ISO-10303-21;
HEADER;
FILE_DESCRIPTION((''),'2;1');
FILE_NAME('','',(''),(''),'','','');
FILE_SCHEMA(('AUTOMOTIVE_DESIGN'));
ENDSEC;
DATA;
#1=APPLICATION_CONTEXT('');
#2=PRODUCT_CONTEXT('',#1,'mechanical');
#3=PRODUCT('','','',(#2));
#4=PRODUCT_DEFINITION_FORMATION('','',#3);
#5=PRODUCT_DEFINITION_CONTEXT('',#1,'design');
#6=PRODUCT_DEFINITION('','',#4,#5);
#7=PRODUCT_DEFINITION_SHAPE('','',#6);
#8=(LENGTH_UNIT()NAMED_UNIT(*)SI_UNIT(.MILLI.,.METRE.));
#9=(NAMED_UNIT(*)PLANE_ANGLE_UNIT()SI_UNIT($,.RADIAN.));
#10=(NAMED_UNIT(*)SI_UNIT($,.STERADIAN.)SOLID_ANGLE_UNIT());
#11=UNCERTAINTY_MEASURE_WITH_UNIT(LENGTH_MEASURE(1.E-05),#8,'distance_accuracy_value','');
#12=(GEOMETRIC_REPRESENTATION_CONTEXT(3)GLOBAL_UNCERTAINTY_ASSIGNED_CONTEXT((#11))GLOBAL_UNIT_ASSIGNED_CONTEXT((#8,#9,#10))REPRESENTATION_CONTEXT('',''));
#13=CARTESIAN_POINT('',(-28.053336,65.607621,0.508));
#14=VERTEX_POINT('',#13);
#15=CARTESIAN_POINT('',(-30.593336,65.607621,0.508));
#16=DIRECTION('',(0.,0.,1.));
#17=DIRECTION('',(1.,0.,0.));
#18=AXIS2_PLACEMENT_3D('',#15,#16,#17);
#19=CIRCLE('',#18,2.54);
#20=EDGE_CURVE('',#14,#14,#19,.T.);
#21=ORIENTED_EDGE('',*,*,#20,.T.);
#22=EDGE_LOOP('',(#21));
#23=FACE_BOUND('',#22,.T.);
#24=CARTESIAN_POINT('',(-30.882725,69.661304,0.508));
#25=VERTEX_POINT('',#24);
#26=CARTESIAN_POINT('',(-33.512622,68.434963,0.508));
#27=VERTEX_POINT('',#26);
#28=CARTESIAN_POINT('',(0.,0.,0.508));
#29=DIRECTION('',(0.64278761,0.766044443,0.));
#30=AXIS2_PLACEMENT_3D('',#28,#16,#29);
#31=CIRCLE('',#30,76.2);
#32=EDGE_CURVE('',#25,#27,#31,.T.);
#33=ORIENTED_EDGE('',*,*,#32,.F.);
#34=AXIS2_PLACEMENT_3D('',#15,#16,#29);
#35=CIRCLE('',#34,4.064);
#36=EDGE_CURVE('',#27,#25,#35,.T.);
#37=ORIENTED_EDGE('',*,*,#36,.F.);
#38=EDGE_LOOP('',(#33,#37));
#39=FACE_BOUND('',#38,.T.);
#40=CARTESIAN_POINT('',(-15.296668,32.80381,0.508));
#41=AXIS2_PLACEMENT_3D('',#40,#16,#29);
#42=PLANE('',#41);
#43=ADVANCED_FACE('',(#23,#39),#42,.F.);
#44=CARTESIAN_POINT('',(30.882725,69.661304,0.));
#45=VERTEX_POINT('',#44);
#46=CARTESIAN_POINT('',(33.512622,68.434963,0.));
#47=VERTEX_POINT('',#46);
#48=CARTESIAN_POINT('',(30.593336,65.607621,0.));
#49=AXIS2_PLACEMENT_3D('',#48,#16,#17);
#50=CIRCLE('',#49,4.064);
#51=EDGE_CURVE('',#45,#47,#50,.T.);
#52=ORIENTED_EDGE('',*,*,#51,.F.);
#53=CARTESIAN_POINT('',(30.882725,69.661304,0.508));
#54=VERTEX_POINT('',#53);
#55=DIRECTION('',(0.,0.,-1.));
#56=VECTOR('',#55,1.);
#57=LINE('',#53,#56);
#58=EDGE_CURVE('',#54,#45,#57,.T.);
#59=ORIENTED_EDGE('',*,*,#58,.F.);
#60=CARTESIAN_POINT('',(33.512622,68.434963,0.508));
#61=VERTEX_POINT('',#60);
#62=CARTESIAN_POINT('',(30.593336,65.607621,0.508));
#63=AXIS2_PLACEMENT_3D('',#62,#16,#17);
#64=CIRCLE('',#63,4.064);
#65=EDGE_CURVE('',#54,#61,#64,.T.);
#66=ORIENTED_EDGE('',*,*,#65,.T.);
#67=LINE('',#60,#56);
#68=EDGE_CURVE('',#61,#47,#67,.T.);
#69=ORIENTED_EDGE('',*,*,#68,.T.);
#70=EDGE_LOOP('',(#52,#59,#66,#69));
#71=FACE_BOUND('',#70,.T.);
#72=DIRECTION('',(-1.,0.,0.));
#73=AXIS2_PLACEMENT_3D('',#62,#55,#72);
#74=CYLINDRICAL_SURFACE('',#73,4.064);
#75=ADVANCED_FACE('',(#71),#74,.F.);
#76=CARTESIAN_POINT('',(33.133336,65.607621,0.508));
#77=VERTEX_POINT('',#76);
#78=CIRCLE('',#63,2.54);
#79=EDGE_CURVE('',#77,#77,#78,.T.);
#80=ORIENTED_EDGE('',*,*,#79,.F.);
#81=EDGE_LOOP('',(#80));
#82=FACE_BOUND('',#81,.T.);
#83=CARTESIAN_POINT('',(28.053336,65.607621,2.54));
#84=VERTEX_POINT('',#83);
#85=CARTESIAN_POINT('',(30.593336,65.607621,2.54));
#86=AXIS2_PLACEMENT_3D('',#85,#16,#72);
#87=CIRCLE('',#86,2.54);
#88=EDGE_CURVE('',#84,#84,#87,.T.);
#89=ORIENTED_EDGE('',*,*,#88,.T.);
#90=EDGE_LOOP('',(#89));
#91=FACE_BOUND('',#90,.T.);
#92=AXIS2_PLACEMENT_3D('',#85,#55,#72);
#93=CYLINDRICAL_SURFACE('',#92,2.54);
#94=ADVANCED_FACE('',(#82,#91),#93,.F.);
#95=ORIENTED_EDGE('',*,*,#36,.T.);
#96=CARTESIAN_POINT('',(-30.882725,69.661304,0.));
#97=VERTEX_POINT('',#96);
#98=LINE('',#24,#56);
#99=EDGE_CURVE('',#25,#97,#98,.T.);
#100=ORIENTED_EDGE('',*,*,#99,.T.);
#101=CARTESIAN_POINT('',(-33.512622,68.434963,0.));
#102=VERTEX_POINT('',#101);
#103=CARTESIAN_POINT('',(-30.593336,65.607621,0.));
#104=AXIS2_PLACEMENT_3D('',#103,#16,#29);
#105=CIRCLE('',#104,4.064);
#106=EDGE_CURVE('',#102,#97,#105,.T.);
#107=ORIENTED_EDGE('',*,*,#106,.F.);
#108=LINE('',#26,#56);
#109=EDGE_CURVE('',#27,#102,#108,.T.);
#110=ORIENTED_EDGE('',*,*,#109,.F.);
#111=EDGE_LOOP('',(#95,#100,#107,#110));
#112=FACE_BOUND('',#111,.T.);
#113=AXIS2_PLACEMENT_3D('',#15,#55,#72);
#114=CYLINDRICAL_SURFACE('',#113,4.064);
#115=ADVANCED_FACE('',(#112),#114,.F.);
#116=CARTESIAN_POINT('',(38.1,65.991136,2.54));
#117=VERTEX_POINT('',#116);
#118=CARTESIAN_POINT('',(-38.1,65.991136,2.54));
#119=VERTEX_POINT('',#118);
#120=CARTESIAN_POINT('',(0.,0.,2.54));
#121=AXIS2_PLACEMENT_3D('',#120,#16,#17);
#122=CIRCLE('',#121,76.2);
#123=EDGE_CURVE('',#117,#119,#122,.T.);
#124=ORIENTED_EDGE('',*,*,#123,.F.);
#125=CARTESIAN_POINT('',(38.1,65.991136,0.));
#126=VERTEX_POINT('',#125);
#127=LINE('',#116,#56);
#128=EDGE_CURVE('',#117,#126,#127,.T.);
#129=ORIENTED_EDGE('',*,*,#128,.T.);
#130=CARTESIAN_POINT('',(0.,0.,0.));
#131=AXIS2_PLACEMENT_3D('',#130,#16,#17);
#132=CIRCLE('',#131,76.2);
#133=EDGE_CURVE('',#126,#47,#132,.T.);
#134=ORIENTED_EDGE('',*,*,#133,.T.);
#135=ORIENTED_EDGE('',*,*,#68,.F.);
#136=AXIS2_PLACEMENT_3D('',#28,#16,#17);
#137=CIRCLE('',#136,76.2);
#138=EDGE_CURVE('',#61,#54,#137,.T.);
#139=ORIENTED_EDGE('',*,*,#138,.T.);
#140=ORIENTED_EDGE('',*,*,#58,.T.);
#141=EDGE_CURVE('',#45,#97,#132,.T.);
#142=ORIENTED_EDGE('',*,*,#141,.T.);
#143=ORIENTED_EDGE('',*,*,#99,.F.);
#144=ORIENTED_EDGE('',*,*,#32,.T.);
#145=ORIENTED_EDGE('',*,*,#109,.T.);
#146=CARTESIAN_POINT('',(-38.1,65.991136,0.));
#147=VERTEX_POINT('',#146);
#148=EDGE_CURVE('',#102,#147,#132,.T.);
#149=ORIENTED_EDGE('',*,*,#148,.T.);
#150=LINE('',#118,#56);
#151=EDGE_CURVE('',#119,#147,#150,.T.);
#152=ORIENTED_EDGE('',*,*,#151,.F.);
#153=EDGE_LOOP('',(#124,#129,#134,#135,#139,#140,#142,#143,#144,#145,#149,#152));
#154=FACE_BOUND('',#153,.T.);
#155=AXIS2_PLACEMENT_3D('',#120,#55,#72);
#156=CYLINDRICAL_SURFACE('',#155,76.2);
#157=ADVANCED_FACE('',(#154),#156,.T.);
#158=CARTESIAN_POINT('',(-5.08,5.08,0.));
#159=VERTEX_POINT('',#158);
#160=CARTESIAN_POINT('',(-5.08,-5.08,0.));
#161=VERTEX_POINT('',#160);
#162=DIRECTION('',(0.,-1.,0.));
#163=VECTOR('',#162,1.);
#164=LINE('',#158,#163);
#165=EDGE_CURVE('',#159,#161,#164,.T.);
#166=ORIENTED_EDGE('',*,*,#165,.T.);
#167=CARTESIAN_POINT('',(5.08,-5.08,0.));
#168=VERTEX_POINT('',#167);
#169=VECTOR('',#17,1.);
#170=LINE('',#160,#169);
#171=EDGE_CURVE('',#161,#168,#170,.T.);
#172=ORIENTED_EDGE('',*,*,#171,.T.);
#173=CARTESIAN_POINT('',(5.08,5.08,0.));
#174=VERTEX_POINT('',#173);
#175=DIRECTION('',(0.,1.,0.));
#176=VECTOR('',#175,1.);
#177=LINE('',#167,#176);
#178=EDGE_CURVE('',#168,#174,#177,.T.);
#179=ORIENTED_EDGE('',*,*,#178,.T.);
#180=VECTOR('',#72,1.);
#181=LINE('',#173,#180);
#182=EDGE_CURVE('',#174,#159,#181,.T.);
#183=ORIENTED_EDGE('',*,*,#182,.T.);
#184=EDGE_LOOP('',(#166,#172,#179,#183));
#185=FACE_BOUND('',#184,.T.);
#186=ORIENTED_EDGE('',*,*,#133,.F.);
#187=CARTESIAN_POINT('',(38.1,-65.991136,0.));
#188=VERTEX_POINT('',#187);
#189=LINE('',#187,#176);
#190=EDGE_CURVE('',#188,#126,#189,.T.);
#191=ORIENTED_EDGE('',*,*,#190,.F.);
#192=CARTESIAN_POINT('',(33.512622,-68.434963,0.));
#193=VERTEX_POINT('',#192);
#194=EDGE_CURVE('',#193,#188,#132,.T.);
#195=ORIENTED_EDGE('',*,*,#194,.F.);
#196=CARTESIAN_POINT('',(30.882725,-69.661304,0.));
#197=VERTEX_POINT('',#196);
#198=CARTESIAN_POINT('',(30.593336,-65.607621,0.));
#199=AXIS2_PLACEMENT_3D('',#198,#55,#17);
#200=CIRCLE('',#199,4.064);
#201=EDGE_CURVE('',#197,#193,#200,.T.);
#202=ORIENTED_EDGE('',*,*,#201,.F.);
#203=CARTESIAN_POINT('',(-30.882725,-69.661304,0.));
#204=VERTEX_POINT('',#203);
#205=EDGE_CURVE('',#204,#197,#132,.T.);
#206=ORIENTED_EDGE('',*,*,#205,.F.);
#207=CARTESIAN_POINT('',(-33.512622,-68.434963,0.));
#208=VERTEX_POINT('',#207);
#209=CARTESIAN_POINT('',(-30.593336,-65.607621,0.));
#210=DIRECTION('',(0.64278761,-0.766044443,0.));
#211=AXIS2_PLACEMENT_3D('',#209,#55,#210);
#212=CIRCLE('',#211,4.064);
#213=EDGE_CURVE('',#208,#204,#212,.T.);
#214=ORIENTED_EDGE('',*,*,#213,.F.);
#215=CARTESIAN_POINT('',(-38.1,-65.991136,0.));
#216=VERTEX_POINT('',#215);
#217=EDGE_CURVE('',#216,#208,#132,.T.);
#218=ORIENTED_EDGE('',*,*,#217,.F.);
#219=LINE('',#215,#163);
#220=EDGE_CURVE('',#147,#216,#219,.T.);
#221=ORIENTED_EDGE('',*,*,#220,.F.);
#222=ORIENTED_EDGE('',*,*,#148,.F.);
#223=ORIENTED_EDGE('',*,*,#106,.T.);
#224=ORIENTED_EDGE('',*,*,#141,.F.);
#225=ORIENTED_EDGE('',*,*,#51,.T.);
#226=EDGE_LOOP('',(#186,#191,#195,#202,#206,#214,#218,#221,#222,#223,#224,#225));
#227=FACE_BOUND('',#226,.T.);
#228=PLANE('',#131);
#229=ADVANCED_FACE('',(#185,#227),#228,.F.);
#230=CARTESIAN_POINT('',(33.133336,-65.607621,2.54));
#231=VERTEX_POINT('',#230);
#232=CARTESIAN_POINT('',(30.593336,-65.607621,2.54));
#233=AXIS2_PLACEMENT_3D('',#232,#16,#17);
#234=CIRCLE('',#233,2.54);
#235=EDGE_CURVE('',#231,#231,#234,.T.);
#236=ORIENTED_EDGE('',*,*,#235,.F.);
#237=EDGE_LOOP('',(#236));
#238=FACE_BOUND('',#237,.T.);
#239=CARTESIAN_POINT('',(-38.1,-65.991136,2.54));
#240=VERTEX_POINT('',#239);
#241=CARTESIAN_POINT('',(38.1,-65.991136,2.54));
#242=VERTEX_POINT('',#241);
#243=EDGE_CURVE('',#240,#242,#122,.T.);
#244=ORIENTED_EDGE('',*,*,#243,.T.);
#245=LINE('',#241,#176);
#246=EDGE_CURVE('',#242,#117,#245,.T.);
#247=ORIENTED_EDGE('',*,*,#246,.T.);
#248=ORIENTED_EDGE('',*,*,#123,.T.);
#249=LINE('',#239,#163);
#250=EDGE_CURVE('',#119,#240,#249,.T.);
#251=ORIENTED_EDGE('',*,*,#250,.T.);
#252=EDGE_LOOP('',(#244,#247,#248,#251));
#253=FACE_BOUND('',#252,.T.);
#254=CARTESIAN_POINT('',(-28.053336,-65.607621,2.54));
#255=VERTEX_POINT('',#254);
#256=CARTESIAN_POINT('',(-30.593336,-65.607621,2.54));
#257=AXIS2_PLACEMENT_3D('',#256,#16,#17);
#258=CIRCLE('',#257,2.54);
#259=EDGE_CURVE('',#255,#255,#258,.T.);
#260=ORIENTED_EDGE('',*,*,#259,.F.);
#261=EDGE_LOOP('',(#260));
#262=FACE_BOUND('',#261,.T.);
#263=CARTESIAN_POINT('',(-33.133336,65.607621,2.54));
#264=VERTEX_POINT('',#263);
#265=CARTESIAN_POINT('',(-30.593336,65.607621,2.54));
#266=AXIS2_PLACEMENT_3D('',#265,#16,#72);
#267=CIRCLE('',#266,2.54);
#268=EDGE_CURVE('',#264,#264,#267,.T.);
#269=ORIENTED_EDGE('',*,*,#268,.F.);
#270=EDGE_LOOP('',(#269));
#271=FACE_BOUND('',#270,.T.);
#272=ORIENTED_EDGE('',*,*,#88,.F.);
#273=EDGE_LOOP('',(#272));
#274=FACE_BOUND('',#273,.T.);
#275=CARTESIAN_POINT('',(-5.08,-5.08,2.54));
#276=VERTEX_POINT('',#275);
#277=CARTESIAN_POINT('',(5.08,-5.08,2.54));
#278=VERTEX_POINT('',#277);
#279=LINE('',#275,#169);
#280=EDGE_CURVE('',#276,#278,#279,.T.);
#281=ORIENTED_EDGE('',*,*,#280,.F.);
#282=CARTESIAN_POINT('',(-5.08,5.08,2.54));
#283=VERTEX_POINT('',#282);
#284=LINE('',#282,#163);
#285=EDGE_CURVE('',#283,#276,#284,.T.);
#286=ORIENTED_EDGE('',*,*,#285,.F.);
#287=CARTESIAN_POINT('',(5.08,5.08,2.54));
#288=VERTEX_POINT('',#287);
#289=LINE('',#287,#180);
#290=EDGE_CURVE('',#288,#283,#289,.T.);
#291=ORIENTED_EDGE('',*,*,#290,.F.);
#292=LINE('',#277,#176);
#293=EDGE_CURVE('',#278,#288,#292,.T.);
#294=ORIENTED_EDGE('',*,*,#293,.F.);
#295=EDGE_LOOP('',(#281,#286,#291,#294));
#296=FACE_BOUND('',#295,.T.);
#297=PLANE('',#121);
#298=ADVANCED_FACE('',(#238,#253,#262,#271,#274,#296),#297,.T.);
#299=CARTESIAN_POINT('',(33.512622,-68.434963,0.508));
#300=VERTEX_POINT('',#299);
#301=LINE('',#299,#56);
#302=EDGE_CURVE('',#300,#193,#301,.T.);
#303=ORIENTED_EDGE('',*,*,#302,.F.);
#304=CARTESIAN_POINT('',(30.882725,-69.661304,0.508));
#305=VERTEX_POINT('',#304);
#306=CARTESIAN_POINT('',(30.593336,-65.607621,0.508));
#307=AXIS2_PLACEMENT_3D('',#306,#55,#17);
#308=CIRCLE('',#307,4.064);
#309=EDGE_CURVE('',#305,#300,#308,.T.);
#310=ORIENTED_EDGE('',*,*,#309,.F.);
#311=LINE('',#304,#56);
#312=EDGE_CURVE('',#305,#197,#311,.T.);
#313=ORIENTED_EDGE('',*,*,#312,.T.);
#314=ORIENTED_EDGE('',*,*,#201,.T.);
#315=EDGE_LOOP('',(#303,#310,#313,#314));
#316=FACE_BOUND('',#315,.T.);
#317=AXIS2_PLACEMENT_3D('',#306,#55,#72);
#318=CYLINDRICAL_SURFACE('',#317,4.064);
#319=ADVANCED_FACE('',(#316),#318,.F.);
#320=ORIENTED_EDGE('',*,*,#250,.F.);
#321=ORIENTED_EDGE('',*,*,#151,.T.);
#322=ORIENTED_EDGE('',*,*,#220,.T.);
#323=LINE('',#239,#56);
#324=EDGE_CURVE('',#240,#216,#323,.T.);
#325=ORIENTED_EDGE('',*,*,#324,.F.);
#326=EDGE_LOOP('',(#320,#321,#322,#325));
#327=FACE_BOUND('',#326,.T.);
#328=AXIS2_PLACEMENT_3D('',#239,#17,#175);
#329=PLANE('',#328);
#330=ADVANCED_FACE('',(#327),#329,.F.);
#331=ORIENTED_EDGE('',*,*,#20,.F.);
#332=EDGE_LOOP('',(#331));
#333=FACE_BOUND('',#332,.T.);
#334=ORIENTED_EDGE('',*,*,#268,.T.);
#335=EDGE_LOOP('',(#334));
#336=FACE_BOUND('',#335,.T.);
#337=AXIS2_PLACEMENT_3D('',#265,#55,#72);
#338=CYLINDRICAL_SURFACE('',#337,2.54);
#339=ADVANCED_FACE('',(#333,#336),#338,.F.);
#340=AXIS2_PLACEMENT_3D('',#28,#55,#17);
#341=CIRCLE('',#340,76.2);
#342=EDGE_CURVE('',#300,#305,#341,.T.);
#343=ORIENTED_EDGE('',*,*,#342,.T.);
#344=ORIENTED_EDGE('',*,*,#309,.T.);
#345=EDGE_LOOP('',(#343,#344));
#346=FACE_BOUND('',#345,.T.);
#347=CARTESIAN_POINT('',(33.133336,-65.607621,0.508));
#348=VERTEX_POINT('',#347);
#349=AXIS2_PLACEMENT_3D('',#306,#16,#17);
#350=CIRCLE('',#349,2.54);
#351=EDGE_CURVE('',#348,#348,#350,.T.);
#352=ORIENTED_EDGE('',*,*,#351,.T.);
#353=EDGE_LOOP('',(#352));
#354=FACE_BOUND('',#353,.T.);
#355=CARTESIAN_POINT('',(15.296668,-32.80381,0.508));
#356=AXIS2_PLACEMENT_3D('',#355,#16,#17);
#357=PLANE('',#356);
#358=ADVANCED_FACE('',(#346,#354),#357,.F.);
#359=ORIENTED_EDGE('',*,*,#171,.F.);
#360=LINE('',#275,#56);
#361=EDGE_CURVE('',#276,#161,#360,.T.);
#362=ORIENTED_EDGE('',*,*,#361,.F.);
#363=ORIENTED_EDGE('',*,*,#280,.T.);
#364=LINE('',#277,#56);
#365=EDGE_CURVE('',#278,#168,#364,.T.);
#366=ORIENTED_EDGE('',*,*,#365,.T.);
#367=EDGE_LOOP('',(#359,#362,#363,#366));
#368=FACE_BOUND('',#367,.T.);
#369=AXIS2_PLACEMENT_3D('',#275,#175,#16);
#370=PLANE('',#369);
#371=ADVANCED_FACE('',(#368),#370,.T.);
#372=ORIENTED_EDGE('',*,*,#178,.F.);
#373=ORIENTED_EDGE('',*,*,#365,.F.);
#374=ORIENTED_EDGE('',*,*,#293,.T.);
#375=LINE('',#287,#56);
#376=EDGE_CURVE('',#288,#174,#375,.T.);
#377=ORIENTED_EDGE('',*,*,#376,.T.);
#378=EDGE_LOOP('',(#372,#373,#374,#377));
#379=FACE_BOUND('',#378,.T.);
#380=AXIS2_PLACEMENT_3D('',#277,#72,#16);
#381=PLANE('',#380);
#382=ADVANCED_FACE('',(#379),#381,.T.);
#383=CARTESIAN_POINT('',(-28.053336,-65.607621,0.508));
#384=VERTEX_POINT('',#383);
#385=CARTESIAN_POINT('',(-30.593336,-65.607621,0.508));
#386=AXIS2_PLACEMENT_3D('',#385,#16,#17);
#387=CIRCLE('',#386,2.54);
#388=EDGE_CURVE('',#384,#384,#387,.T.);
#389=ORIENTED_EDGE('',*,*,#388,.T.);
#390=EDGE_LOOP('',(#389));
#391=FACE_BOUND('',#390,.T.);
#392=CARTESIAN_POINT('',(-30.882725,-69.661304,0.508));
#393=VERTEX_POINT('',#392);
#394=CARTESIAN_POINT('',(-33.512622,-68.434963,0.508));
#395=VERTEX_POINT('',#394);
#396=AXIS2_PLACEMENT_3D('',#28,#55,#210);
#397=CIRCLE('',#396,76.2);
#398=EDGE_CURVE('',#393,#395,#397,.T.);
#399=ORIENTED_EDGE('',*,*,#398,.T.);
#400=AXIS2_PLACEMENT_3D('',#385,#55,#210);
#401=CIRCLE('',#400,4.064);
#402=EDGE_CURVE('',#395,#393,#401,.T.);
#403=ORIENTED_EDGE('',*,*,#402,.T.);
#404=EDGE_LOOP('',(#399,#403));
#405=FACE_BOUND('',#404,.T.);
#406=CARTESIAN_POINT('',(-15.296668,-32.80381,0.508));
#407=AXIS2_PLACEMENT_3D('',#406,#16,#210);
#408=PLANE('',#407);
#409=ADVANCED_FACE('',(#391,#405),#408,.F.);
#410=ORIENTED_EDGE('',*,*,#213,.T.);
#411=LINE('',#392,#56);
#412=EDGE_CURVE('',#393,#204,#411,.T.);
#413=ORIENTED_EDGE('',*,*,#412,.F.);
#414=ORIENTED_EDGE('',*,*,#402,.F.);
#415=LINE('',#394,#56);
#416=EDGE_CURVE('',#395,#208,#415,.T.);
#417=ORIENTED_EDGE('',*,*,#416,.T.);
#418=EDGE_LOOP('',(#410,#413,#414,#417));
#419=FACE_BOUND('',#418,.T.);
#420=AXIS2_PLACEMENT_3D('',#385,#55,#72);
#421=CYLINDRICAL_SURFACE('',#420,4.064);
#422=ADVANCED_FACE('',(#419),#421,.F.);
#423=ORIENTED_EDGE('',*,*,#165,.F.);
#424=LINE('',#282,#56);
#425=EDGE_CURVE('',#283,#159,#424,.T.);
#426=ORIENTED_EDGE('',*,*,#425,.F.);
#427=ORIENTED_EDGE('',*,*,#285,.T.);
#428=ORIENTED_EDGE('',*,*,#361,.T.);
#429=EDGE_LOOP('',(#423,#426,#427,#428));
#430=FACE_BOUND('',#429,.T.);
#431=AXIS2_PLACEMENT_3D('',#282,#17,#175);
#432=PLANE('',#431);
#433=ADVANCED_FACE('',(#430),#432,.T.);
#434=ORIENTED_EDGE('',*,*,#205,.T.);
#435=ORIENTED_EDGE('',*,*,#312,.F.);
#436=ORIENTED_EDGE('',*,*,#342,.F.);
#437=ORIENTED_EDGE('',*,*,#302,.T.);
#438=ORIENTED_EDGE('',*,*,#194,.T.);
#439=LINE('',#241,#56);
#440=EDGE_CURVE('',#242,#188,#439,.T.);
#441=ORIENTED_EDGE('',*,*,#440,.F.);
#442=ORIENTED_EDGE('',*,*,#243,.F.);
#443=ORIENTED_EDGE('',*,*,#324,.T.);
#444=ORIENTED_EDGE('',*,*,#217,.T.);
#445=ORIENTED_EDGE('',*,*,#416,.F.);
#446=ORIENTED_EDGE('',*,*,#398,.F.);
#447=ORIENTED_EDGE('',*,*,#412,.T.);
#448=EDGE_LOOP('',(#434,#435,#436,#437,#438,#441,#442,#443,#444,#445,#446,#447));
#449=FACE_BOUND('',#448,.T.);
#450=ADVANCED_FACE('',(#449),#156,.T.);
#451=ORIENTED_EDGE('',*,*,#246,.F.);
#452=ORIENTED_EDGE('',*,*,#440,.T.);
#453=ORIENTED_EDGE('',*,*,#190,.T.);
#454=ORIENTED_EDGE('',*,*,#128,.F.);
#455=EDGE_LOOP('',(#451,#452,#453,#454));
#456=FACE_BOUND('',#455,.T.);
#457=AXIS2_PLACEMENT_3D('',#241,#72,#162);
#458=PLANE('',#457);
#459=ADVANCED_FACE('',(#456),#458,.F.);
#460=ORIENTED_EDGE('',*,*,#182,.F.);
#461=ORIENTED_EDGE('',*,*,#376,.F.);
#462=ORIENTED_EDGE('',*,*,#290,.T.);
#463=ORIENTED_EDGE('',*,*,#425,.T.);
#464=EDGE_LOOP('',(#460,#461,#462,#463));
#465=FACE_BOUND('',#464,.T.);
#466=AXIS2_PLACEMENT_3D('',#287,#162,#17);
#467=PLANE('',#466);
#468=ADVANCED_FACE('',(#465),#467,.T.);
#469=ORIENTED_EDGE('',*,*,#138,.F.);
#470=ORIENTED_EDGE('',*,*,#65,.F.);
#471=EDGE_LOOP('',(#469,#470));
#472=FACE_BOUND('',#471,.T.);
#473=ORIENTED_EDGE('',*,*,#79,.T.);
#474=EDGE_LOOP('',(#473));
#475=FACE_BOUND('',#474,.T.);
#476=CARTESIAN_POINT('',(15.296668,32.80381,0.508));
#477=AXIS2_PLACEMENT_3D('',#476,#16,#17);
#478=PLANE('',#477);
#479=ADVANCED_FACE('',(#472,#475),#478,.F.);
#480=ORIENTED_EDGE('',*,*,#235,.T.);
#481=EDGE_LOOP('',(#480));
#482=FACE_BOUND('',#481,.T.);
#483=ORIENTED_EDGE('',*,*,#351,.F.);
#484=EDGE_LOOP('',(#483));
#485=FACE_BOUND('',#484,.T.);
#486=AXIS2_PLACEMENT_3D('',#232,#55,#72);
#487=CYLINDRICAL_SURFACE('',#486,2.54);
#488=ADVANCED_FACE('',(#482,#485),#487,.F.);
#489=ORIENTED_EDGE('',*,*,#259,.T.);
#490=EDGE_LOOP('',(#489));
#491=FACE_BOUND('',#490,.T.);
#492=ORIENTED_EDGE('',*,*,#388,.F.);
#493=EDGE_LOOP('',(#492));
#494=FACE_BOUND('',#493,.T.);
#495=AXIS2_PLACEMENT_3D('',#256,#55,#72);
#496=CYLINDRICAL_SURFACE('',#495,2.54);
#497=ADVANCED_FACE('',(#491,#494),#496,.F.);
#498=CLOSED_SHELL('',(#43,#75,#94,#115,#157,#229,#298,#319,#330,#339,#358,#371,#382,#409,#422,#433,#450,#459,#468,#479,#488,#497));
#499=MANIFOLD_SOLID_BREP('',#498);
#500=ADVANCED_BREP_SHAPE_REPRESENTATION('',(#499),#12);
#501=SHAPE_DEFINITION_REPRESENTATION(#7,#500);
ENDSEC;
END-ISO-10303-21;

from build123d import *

# Parameters (mm, degrees)
SKETCH2_R            = 2.54
SKETCH2_W            = 10.16
SKETCH2_H            = 10.16
BOSS_EXTRUDE1_DEPTH  = 2.54
CUT_EXTRUDE1_DEPTH   = 0.508
CIRPATTERN1_COUNT    = 2
CIRPATTERN1_ANGLE    = 50
MIRROR2_COPY_1_DEPTH = 0.508


with BuildPart() as part:
    # Sketch2 → Boss-Extrude1 (new body)
    with BuildSketch(Plane.XY):
        with BuildLine():
            Line((-38.1, -65.991135768), (-38.1, 65.991135768))
            ThreePointArc((-38.1, 65.991135768), (0, 76.2), (38.1, 65.991135768))
            Line((38.1, 65.991135768), (38.1, -65.991135768))
            ThreePointArc((38.1, -65.991135768), (0, -76.2), (-38.1, -65.991135768))
        make_face()
        with Locations((30.593335967, 65.607620704)):
            Circle(SKETCH2_R, mode=Mode.SUBTRACT)
        with Locations((-30.593335967, -65.607620704)):
            Circle(SKETCH2_R, mode=Mode.SUBTRACT)
        with Locations((-30.593335967, 65.607620704)):
            Circle(SKETCH2_R, mode=Mode.SUBTRACT)
        with Locations((30.593335967, -65.607620704)):
            Circle(SKETCH2_R, mode=Mode.SUBTRACT)
        Rectangle(SKETCH2_W, SKETCH2_H, mode=Mode.SUBTRACT)
    extrude(amount=BOSS_EXTRUDE1_DEPTH)

    # Sketch6 → Cut-Extrude1 (cut)
    with BuildSketch(Plane.XY):
        with BuildLine():
            ThreePointArc((30.882724846, 69.661304223), (28.875815352, 61.924385857), (33.512622116, 68.434962986))
            ThreePointArc((33.512622116, 68.434962986), (32.203511545, 69.060653372), (30.882724846, 69.661304223))
        make_face()
    cut_extrude1 = extrude(amount=CUT_EXTRUDE1_DEPTH, mode=Mode.SUBTRACT)

    # CirPattern1: Cut-Extrude1 ×2 about axis
    cirpattern1_axis = Axis((0, 0, 2.54), (0, 0, 1))
    for i in range(1, CIRPATTERN1_COUNT):
        add(cut_extrude1.rotate(cirpattern1_axis, i * CIRPATTERN1_ANGLE / (CIRPATTERN1_COUNT - 1)), mode=Mode.SUBTRACT)

    # Mirror2: Cut-Extrude1 across plane
    add(cut_extrude1.mirror(Plane(origin=(0, 0, 0), x_dir=(0, 0, 1), z_dir=(0, -1, 0))), mode=Mode.SUBTRACT)

    # Mirror2 copy 1 sketch → Mirror2 copy 1 (cut)
    with BuildSketch(Plane(origin=(0, 0, 0), x_dir=(0.6427876096865379, -0.7660444431189793, 0), z_dir=(0, 0, 1))):
        with BuildLine():
            ThreePointArc((30.882724846, -69.661304223), (28.875815352, -61.924385857), (33.512622116, -68.434962986))
            ThreePointArc((33.512622116, -68.434962986), (32.203511545, -69.060653372), (30.882724846, -69.661304223))
        make_face()
    extrude(amount=MIRROR2_COPY_1_DEPTH, mode=Mode.SUBTRACT)


solid = part.part
